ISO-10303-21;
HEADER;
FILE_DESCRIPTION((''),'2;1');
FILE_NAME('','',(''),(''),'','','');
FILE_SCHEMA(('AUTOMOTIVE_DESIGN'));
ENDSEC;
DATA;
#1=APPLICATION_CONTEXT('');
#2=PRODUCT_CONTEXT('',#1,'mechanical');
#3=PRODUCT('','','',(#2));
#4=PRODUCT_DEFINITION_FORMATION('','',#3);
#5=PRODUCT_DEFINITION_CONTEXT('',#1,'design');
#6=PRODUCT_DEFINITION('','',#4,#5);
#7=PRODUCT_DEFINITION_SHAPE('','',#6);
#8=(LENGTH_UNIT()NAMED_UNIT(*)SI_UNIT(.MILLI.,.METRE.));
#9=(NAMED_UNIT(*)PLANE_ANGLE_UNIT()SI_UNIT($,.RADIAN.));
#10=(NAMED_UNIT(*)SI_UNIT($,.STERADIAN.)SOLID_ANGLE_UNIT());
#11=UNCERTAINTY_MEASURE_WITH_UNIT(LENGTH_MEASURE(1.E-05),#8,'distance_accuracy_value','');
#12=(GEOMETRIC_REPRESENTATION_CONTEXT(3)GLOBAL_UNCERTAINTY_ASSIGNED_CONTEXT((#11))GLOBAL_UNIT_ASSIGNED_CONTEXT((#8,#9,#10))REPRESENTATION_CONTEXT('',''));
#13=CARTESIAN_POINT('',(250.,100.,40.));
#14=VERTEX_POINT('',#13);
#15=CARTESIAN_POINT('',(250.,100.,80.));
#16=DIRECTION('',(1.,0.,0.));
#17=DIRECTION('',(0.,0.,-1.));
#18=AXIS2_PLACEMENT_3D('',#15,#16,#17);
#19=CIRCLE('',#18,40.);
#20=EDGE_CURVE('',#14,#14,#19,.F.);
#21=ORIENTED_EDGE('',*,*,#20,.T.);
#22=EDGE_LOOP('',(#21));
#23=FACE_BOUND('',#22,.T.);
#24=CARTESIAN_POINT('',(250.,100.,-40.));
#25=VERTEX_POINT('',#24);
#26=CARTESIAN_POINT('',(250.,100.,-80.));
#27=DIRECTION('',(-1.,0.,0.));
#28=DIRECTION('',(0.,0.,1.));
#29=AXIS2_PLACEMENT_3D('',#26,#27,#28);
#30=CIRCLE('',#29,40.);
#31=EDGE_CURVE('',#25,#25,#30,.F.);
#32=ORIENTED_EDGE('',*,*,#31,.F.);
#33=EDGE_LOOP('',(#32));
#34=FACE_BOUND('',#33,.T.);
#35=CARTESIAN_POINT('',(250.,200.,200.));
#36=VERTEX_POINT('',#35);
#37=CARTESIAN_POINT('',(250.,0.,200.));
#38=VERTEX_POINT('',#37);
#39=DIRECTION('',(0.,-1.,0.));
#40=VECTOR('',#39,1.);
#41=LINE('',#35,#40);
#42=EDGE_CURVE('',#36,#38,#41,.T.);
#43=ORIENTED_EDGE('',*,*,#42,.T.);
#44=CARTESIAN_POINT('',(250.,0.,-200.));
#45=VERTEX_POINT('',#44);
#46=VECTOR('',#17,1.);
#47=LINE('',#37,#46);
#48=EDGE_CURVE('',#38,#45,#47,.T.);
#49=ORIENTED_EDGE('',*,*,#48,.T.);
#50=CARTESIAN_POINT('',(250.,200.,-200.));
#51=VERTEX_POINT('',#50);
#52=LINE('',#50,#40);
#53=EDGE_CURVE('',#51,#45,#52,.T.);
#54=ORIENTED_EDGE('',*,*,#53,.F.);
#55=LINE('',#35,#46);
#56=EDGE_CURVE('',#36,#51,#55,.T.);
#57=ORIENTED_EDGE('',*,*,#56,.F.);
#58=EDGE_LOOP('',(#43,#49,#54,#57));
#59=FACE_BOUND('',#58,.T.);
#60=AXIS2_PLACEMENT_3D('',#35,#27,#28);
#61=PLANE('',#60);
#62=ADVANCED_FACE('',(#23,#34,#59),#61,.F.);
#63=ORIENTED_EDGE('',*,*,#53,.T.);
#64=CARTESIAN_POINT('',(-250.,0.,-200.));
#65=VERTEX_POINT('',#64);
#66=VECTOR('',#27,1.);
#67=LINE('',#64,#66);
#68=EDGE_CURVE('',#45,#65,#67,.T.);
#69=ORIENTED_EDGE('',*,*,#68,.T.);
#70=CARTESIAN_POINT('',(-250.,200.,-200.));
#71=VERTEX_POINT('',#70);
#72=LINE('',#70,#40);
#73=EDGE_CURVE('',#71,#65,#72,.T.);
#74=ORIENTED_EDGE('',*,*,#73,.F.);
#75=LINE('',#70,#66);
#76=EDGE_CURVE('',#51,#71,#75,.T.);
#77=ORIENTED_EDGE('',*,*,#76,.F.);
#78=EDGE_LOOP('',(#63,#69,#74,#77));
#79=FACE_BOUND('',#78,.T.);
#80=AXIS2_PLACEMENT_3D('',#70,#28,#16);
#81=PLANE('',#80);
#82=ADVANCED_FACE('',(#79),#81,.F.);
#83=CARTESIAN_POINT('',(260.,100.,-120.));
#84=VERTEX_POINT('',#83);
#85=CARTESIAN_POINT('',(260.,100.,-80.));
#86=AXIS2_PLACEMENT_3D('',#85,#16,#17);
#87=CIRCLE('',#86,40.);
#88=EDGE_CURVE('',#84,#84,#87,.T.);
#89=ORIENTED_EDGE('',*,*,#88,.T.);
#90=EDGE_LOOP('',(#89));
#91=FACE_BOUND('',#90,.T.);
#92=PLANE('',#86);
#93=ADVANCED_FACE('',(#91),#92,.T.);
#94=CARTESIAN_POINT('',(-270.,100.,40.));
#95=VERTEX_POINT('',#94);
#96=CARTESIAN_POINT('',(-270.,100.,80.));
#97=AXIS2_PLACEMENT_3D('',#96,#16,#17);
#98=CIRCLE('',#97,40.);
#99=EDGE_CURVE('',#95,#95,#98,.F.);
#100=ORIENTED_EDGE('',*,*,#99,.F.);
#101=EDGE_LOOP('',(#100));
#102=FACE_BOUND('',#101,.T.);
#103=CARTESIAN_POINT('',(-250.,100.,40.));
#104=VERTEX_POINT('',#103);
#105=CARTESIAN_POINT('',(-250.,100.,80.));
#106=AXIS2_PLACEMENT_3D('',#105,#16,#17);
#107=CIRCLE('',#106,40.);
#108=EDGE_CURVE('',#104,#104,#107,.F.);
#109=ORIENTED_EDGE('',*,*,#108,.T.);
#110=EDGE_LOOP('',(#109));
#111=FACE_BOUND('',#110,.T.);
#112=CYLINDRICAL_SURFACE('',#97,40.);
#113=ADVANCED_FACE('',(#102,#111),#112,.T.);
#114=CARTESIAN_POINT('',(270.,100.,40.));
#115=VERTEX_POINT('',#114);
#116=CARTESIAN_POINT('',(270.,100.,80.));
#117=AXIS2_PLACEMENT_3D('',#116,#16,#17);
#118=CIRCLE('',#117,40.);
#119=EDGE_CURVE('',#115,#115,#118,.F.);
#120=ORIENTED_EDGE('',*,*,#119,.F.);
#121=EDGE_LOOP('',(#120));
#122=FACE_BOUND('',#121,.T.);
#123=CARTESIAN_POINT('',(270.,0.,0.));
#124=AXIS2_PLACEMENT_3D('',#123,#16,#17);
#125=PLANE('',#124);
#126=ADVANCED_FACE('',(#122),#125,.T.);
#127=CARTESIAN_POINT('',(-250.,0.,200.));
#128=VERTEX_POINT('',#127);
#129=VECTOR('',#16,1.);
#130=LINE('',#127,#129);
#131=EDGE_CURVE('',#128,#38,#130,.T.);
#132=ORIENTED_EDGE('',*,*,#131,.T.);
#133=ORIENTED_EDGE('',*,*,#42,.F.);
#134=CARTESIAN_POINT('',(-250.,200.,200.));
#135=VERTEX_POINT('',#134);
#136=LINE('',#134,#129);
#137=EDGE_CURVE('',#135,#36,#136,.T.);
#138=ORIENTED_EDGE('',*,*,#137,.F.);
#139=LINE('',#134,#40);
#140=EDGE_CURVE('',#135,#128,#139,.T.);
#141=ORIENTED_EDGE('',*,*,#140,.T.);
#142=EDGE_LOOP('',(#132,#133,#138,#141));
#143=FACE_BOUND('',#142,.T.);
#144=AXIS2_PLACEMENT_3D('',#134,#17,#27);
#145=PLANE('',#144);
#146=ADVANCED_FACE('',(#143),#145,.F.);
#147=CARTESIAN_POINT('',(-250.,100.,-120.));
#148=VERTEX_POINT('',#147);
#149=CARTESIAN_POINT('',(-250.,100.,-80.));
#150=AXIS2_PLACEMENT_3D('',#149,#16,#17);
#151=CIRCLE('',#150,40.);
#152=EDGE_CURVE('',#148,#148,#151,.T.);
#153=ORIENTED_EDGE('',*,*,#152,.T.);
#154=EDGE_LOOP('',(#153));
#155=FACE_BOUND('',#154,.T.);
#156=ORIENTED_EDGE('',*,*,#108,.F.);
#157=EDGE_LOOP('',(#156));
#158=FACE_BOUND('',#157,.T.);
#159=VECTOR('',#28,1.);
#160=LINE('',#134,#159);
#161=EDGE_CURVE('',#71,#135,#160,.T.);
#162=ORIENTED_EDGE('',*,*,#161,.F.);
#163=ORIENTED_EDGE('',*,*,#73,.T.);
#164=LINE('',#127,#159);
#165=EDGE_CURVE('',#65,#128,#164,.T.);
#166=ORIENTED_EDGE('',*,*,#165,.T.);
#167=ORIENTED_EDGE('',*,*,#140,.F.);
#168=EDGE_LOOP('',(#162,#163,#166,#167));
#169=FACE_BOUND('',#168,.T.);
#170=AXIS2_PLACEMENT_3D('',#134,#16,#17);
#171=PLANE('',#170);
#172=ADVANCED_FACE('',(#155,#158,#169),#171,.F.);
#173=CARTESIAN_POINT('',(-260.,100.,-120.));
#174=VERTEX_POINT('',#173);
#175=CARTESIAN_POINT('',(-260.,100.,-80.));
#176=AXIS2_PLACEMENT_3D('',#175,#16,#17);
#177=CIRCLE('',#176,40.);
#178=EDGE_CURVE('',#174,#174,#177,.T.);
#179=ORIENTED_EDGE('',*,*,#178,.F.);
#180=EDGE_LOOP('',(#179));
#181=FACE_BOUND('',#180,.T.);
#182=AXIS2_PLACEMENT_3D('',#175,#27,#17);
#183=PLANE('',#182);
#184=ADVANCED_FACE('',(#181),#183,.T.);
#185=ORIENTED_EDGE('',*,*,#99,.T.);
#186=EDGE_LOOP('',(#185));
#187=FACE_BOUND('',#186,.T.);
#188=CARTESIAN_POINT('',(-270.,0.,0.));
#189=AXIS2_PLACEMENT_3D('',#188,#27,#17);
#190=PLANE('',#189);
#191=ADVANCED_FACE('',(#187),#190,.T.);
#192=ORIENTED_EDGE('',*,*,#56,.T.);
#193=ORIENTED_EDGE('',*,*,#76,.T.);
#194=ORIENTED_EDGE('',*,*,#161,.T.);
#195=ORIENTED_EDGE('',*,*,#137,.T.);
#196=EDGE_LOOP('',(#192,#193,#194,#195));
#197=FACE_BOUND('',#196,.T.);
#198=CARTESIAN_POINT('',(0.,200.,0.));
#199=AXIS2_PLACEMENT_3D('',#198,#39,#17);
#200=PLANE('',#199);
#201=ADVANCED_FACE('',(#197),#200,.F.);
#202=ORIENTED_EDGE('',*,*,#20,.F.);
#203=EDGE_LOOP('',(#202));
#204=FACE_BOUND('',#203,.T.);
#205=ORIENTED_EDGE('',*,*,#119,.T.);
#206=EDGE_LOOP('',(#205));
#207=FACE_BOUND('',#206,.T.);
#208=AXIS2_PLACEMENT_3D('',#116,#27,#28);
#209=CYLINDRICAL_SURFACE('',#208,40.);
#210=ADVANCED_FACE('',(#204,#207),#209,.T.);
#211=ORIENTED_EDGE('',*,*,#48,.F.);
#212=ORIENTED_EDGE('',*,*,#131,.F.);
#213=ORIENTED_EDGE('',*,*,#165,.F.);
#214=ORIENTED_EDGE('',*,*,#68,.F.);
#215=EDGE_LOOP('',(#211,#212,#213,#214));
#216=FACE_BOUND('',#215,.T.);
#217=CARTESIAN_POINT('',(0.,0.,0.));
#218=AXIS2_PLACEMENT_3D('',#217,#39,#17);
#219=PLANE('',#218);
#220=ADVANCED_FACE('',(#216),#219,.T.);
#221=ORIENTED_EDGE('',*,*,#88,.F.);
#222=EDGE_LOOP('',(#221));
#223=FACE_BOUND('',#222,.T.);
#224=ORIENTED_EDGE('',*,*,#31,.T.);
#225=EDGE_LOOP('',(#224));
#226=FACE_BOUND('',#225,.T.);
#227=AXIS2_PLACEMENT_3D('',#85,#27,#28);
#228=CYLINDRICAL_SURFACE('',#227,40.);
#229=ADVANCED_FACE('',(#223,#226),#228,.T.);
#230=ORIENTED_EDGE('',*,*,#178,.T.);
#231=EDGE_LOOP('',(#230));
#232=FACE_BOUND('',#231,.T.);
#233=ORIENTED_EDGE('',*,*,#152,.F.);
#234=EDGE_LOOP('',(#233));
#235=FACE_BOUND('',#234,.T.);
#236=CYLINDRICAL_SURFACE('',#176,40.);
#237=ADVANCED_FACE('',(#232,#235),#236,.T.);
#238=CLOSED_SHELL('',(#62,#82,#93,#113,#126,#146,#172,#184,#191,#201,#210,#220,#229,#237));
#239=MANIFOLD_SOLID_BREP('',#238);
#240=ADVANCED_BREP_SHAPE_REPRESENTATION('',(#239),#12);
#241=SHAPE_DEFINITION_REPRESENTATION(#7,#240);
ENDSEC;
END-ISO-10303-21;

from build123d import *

# Parameters (mm, degrees)
SKETCH_2_W      = 500
SKETCH_2_H      = 400
EXTRUDE_1_DEPTH = 200
SKETCH_3_R      = 40
EXTRUDE_2_DEPTH = 10
SKETCH_3_3_R    = 40
EXTRUDE_3_DEPTH = 20


with BuildPart() as part:
    # 草图2 → 凸台-拉伸1 (new body)
    with BuildSketch(Plane(origin=(0, 0, 0), x_dir=(1, 0, 0), z_dir=(0, 1, 0))):
        Rectangle(SKETCH_2_W, SKETCH_2_H)
    extrude(amount=EXTRUDE_1_DEPTH)

    # 草图3 → 凸台-拉伸2 (add)
    with BuildSketch(Plane(origin=(250, 0, 0), x_dir=(0, 0, -1), z_dir=(1, 0, 0))):
        with Locations((80, 100)):
            Circle(SKETCH_3_R)
    extrude_2 = extrude(amount=EXTRUDE_2_DEPTH)

    # 草图3<3> → 凸台-拉伸3 (add)
    with BuildSketch(Plane(origin=(250, 0, 0), x_dir=(0, 0, -1), z_dir=(1, 0, 0))):
        with Locations((-80, 100)):
            Circle(SKETCH_3_3_R)
    extrude_3 = extrude(amount=EXTRUDE_3_DEPTH)

    # 镜向1: 凸台-拉伸2, 凸台-拉伸3 across plane
    add(extrude_2.mirror(Plane(origin=(0, 0, 0), x_dir=(0, 0, 1), z_dir=(1, 0, 0))))
    add(extrude_3.mirror(Plane(origin=(0, 0, 0), x_dir=(0, 0, 1), z_dir=(1, 0, 0))))


solid = part.part
